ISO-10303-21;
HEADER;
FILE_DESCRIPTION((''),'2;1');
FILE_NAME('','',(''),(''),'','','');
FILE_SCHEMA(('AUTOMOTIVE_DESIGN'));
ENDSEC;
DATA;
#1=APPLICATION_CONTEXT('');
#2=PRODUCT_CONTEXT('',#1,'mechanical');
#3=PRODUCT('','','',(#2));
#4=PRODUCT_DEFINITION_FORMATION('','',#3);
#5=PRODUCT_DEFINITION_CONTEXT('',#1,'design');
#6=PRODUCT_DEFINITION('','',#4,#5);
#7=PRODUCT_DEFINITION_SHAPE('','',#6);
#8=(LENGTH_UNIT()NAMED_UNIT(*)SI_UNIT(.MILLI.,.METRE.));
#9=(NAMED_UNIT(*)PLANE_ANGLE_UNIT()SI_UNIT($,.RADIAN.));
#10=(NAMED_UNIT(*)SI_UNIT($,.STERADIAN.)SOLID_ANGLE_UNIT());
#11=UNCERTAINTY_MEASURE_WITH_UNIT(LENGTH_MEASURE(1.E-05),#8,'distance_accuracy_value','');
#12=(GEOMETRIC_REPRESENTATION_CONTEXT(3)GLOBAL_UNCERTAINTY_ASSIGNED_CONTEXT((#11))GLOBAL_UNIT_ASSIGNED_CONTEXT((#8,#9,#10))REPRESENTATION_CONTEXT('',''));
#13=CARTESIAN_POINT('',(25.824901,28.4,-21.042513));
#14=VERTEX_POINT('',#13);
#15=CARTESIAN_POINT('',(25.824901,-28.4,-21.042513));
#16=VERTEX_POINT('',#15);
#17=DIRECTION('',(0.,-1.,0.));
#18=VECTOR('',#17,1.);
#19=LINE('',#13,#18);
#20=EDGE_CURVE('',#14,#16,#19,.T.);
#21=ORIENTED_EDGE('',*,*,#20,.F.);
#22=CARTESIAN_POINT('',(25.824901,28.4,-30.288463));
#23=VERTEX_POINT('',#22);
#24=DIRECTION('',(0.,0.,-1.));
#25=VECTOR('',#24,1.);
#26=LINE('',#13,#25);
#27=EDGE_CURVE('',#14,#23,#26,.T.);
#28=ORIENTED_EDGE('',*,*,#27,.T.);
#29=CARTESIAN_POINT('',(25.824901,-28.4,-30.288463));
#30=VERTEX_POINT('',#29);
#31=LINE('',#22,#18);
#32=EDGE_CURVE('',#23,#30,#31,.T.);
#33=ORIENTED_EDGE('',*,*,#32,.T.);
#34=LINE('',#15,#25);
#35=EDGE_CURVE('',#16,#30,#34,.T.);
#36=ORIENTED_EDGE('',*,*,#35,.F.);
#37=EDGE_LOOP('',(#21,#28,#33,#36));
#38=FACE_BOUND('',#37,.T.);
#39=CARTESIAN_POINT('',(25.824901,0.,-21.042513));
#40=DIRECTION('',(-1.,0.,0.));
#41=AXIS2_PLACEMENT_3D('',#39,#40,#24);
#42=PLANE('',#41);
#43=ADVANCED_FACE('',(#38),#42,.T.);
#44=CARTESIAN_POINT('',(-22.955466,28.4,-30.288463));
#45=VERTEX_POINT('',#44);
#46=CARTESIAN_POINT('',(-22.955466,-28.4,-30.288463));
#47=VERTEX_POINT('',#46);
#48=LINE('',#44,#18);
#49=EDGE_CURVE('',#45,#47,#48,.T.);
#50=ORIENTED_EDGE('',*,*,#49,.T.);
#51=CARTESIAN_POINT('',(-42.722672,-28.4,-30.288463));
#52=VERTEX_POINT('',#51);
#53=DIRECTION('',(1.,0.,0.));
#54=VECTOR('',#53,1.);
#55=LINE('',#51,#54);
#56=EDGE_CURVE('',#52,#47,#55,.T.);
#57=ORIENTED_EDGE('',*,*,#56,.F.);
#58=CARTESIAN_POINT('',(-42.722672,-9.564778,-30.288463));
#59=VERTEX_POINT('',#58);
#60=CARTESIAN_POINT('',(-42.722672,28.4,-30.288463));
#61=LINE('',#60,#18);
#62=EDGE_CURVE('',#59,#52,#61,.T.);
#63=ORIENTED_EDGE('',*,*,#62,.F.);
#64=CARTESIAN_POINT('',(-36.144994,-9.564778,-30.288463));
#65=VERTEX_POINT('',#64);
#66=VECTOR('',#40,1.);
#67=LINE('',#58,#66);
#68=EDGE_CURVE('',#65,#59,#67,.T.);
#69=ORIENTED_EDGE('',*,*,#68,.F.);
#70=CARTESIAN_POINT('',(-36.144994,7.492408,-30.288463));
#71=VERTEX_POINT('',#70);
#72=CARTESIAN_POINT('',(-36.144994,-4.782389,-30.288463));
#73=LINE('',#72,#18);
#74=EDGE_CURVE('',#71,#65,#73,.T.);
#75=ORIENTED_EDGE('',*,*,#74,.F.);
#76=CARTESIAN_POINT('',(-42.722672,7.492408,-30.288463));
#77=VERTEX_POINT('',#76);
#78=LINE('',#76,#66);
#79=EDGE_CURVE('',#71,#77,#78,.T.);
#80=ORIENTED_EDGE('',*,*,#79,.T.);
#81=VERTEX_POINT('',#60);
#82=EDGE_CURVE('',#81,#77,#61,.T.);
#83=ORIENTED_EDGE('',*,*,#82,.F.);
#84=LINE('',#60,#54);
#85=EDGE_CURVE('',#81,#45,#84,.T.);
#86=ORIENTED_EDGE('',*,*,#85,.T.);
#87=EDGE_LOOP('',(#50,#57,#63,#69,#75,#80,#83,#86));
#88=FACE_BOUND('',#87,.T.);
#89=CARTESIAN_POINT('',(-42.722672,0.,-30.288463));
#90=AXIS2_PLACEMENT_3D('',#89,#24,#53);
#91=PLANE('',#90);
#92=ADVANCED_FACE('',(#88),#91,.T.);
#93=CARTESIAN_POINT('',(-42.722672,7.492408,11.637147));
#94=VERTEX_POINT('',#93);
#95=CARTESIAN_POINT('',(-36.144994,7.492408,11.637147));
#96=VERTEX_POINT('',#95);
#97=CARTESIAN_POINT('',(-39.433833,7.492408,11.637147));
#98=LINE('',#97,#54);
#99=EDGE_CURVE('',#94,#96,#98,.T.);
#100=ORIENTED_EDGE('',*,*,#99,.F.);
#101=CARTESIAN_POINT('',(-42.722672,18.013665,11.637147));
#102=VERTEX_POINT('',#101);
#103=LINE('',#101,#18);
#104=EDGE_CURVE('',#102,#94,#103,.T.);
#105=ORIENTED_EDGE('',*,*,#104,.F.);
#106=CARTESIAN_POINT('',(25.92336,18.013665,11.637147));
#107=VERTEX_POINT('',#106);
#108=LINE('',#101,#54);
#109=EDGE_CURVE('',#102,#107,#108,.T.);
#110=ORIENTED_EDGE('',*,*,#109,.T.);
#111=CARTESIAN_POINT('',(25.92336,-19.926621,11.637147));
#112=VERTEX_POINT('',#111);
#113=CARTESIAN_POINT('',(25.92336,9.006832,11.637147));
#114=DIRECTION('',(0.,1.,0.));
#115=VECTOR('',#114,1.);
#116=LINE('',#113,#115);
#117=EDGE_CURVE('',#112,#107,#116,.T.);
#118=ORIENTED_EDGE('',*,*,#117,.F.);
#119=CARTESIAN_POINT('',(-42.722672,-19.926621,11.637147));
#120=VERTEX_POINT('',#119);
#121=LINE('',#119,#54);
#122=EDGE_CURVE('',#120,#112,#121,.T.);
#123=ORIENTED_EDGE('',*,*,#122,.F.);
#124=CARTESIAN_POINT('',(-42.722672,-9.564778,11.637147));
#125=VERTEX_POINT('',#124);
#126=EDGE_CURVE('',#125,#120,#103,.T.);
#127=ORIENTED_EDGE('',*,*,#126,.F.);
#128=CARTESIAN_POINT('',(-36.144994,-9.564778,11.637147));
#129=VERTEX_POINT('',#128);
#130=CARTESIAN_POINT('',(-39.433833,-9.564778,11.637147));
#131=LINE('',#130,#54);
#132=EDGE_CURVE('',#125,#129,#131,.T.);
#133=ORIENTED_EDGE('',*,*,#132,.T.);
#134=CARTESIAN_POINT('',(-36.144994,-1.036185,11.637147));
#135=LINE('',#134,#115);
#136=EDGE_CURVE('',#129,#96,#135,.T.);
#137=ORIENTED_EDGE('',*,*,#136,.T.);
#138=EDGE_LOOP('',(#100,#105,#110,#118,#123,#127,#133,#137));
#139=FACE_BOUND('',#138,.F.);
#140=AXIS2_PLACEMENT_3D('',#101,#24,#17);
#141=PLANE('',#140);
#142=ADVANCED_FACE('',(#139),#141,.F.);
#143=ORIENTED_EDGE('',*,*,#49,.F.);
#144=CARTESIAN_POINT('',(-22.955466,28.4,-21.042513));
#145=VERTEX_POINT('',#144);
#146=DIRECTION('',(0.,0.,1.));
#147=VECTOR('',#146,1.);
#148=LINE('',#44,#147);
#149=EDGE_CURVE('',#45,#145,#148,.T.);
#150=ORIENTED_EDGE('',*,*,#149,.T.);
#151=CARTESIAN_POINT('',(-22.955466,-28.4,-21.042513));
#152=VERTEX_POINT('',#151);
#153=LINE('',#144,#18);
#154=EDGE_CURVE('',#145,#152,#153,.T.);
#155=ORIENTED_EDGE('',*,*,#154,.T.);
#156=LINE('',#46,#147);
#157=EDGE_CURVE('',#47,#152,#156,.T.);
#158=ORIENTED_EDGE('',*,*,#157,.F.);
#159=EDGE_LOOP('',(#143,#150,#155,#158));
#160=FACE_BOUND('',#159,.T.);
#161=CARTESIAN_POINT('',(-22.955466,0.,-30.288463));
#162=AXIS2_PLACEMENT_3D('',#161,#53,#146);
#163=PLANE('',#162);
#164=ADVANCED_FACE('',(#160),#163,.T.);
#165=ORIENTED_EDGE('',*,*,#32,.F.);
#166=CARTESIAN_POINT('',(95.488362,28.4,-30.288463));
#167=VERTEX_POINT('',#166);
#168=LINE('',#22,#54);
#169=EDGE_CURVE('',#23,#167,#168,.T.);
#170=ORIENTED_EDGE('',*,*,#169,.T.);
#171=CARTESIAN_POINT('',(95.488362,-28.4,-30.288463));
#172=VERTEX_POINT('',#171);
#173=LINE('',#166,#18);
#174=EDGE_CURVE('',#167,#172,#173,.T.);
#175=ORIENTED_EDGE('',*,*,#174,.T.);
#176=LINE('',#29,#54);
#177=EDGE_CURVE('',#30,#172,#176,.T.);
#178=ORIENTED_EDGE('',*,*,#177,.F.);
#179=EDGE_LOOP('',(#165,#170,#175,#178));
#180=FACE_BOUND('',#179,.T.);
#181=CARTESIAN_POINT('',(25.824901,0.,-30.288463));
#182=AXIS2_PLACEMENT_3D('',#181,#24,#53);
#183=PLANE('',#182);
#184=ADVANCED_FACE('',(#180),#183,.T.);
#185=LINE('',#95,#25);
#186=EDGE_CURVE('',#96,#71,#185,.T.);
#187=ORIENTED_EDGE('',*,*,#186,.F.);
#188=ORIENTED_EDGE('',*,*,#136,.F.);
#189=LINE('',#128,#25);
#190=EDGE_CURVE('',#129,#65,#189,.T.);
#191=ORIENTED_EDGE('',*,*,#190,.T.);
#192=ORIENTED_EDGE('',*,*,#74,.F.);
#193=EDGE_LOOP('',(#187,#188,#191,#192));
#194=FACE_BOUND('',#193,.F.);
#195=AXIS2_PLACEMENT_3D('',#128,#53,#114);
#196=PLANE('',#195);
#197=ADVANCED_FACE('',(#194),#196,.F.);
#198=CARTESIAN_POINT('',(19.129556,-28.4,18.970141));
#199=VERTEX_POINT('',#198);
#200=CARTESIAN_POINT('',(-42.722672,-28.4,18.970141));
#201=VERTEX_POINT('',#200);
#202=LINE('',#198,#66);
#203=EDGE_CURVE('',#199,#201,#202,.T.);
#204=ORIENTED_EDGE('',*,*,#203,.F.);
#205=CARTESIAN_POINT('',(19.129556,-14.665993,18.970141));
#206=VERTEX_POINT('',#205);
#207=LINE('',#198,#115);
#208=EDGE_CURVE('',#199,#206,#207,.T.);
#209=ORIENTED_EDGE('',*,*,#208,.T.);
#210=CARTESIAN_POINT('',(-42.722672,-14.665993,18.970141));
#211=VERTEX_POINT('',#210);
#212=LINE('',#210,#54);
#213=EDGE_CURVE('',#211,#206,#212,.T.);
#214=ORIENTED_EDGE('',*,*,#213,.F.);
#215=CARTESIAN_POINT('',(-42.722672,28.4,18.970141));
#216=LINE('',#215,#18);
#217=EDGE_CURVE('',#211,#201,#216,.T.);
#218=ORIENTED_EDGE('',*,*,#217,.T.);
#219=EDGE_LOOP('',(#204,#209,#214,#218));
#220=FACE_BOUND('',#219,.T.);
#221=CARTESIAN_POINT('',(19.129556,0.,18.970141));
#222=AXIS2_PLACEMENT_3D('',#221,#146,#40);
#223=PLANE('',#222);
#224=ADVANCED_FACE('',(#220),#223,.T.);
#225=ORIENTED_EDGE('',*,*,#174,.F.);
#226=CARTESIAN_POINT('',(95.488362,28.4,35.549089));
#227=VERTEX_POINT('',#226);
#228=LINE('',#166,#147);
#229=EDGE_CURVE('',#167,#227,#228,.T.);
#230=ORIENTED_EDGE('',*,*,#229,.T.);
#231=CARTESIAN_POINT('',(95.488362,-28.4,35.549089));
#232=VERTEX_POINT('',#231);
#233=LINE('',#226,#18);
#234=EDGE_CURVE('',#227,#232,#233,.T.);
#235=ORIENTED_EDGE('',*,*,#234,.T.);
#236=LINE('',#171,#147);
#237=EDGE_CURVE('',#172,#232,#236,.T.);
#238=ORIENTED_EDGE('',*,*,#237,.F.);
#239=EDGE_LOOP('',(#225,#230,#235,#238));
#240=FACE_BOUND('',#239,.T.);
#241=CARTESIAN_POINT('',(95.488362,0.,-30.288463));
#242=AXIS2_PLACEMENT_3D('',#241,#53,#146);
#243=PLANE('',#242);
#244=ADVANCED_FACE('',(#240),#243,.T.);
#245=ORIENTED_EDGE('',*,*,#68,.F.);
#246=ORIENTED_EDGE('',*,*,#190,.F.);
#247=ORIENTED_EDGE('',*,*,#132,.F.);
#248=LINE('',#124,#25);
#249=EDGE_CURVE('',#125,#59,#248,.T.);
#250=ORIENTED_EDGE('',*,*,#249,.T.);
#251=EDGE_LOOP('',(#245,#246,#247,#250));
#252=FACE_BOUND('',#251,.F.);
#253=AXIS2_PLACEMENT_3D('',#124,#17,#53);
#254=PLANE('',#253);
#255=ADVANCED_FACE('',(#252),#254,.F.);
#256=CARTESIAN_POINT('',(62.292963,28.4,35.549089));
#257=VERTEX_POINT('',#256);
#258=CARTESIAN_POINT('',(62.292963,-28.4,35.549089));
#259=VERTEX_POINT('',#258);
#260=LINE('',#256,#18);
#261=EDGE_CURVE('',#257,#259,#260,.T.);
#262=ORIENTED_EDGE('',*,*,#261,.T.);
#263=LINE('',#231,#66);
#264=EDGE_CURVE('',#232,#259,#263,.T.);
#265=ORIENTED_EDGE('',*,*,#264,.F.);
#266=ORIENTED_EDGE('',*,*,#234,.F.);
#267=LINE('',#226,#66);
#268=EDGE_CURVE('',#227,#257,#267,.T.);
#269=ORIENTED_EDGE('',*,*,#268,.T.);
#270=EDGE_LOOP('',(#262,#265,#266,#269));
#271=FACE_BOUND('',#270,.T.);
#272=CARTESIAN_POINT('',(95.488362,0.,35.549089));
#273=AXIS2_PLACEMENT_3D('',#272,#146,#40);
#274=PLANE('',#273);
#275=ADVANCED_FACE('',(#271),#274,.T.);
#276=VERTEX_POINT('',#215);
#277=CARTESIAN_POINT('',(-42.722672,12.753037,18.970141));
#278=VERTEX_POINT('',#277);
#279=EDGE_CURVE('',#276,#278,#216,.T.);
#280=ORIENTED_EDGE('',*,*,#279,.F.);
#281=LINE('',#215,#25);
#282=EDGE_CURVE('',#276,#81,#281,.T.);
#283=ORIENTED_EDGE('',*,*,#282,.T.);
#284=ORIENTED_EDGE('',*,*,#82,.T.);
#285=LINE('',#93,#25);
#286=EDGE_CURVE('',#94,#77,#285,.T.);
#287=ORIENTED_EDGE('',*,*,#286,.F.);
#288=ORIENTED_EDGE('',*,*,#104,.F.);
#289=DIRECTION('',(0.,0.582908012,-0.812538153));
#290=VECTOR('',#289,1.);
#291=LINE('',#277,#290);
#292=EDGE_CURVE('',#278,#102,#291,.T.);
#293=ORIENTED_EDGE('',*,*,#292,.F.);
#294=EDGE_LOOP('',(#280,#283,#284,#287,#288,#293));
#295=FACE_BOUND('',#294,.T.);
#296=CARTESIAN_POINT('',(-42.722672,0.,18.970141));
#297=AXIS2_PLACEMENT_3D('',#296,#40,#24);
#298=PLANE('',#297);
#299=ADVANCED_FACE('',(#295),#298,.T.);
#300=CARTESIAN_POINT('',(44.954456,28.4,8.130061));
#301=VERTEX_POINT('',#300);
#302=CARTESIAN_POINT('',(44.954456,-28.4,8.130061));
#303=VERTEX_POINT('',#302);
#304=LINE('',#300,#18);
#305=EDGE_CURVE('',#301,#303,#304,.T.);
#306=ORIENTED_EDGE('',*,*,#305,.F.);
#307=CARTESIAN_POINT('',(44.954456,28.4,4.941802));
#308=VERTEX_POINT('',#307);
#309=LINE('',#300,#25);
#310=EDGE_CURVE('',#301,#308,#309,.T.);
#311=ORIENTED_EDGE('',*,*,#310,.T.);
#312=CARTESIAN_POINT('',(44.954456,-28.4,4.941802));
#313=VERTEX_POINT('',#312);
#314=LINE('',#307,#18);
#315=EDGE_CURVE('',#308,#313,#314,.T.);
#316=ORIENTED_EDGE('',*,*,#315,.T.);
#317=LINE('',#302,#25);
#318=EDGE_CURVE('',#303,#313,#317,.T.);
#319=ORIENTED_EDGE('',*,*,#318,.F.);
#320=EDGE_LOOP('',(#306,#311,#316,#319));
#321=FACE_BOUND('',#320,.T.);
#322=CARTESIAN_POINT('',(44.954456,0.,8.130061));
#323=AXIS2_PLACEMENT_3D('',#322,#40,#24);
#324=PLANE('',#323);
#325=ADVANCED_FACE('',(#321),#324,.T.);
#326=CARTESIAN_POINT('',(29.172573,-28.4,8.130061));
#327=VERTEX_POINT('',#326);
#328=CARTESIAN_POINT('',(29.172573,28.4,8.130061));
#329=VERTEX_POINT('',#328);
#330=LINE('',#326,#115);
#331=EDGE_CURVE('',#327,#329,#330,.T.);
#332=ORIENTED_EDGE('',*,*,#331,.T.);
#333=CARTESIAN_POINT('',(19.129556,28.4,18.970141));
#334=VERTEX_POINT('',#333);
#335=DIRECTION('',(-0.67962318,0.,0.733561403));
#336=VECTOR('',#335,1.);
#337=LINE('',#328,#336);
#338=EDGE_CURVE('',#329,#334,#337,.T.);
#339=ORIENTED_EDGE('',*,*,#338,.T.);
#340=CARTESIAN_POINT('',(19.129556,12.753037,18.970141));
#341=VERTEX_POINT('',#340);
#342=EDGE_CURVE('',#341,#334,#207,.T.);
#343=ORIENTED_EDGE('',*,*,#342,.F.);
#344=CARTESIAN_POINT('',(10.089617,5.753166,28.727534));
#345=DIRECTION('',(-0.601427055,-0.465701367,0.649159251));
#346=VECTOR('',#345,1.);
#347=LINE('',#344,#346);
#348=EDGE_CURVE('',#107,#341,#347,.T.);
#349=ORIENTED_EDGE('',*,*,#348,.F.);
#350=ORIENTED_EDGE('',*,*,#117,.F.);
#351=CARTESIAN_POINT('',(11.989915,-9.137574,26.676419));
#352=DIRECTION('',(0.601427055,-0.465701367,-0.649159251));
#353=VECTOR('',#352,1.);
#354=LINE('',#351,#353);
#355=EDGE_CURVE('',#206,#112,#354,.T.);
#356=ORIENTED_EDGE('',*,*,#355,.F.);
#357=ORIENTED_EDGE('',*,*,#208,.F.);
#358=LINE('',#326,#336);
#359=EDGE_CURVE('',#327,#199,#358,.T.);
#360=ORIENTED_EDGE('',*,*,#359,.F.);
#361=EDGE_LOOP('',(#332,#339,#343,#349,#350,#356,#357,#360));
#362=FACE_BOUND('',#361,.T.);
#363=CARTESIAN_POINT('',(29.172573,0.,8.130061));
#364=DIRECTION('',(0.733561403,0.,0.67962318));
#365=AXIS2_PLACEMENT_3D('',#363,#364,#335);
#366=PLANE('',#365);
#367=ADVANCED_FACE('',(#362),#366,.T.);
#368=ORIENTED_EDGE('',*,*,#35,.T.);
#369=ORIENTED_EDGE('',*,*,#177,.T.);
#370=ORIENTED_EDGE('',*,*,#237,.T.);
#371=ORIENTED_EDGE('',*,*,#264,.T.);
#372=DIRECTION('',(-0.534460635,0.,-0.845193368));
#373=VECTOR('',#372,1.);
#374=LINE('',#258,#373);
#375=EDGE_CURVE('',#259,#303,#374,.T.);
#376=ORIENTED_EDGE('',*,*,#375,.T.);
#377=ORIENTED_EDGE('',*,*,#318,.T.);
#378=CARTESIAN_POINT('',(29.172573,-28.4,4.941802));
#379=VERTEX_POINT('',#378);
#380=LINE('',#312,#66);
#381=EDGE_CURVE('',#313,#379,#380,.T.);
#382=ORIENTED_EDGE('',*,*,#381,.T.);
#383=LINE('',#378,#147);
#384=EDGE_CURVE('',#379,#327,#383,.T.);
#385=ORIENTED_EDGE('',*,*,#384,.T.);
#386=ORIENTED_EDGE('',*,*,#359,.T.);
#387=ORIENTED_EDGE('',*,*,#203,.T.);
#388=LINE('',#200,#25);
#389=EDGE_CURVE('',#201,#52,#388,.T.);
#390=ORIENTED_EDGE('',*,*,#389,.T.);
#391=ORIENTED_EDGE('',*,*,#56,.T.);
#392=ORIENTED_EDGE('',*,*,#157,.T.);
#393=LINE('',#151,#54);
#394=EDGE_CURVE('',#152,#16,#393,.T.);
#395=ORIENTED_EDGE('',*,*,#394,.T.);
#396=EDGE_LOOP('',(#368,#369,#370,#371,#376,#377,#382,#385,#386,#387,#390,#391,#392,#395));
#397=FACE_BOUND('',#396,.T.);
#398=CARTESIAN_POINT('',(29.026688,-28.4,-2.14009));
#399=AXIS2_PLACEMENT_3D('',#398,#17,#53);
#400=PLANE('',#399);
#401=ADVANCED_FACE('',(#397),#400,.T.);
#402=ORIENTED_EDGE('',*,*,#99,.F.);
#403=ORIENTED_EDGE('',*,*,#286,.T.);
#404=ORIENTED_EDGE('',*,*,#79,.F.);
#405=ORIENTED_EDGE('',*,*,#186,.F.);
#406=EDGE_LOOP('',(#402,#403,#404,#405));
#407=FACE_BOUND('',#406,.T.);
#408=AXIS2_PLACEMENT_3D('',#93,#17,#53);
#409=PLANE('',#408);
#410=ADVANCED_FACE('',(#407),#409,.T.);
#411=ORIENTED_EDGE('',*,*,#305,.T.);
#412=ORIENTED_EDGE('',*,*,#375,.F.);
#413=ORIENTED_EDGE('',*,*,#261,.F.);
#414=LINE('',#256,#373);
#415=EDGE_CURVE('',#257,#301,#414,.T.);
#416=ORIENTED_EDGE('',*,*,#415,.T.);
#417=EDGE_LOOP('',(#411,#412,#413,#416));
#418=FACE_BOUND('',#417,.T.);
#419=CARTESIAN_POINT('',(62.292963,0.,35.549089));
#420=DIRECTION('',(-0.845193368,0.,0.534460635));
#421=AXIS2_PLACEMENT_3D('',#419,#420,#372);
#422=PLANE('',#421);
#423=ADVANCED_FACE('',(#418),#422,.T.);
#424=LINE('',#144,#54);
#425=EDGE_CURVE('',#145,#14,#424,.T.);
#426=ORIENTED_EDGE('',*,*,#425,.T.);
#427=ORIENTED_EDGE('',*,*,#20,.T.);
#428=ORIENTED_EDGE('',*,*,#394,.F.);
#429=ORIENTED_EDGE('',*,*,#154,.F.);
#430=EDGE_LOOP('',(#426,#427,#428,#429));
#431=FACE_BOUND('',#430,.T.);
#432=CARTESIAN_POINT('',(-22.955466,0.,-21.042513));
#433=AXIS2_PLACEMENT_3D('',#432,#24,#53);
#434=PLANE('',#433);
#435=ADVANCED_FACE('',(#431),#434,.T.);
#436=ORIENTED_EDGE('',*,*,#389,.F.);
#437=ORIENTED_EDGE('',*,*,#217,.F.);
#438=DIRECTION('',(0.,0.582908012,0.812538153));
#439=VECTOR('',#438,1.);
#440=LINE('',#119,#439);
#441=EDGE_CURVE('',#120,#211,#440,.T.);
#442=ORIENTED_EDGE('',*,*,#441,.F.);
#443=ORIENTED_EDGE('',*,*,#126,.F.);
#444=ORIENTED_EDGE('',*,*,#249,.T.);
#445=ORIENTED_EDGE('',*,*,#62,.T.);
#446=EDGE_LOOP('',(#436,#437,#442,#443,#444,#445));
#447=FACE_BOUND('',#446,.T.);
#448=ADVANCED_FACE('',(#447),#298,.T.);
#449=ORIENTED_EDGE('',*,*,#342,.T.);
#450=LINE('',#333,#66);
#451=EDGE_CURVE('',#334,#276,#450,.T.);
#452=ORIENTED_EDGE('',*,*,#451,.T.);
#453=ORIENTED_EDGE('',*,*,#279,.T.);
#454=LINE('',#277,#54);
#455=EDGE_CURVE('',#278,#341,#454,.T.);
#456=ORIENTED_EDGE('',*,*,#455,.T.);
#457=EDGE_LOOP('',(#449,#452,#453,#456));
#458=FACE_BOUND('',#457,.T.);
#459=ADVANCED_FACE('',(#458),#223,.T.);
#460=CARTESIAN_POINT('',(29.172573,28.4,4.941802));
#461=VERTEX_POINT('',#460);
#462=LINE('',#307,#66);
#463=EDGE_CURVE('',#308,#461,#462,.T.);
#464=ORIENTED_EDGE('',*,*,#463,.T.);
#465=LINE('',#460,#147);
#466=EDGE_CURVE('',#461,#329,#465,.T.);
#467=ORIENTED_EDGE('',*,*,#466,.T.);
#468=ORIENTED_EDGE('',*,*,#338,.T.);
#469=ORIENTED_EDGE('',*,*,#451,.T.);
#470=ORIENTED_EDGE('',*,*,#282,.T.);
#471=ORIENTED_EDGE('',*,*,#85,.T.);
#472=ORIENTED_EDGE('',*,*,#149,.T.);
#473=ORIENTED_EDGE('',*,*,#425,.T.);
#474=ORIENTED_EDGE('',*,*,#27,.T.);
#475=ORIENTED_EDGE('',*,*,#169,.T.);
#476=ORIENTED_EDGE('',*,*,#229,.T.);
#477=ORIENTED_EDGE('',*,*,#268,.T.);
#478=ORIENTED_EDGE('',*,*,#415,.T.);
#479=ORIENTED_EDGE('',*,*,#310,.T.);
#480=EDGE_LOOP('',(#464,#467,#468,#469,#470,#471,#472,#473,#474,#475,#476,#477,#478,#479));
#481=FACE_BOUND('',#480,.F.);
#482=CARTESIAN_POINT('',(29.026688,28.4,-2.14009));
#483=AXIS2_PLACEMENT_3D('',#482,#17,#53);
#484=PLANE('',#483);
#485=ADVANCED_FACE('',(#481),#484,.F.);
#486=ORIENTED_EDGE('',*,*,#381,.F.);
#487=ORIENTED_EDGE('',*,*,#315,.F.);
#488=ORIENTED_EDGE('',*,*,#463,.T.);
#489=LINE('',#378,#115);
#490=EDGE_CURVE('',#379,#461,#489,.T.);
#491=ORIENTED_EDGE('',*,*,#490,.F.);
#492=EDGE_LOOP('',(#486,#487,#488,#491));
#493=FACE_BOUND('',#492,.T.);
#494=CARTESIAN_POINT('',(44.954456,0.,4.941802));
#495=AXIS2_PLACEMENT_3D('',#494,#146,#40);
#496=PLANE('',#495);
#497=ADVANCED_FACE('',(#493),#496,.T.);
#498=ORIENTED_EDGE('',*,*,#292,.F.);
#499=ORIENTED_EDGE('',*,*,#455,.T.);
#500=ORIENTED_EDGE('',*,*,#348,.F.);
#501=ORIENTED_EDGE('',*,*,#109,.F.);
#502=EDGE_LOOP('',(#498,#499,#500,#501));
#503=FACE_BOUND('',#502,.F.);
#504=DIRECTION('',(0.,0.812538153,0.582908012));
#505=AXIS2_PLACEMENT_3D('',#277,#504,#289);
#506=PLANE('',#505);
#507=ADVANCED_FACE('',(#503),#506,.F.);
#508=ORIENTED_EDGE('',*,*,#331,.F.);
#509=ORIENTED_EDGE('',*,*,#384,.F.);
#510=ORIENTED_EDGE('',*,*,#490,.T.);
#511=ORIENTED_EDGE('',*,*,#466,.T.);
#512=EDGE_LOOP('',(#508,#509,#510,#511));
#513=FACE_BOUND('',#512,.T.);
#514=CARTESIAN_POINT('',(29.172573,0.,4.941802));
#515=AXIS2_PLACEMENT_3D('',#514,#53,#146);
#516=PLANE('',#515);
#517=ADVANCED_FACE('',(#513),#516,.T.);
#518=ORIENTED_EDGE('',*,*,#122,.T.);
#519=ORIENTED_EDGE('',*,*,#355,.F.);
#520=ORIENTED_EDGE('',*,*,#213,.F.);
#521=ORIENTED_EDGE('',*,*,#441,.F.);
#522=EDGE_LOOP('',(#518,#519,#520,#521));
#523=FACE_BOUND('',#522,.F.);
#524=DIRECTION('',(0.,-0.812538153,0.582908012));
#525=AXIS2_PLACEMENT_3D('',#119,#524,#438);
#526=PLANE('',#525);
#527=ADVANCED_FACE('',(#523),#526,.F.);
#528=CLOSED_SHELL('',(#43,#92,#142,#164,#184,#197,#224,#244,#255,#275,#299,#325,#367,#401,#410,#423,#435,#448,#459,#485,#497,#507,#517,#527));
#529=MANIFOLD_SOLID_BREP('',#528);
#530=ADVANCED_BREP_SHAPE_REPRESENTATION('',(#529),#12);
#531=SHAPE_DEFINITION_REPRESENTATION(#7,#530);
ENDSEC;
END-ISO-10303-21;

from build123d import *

# Parameters (mm, degrees)
F1_DEPTH = 28.4
F3_DEPTH = 71.3
F4_W     = 6.577678
F4_H     = 17.057187
F5_DEPTH = 70.5


with BuildPart() as f1:
    # F0 (on Front) → F1 (new body, symmetric)
    with BuildSketch(Plane.XZ):
        Polygon((19.129556, 18.970141), (-42.722672, 18.970141), (-42.722672, -30.288463), (-22.955466, -30.288463), (-22.955466, -21.042513), (25.824901, -21.042513), (25.824901, -30.288463), (54.519232, -30.288463), (95.488362, -30.288463), (95.488362, 35.549089), (62.292963, 35.549089), (44.954456, 8.130061), (44.954456, 4.941802), (29.172573, 4.941802), (29.172573, 8.130061), align=None)
    extrude(amount=F1_DEPTH, both=True)

    # F2 (on face) → F3 (cut)
    with BuildSketch(Plane(origin=(-42.722672, 0, 0), x_dir=(0, -1, 0), z_dir=(-1, 0, 0))):
        Polygon((14.665993, 18.970141), (-12.753037, 18.970141), (-18.013665, 11.637147), (19.926621, 11.637147), align=None)
    extrude(amount=-F3_DEPTH, mode=Mode.SUBTRACT)

    # F4 (on face) → F5 (cut)
    with BuildSketch(Plane.XY.offset(11.637147)):
        with Locations((-39.433833, -1.036185)):
            Rectangle(F4_W, F4_H)
    extrude(amount=-F5_DEPTH, mode=Mode.SUBTRACT)


solid = f1.part
